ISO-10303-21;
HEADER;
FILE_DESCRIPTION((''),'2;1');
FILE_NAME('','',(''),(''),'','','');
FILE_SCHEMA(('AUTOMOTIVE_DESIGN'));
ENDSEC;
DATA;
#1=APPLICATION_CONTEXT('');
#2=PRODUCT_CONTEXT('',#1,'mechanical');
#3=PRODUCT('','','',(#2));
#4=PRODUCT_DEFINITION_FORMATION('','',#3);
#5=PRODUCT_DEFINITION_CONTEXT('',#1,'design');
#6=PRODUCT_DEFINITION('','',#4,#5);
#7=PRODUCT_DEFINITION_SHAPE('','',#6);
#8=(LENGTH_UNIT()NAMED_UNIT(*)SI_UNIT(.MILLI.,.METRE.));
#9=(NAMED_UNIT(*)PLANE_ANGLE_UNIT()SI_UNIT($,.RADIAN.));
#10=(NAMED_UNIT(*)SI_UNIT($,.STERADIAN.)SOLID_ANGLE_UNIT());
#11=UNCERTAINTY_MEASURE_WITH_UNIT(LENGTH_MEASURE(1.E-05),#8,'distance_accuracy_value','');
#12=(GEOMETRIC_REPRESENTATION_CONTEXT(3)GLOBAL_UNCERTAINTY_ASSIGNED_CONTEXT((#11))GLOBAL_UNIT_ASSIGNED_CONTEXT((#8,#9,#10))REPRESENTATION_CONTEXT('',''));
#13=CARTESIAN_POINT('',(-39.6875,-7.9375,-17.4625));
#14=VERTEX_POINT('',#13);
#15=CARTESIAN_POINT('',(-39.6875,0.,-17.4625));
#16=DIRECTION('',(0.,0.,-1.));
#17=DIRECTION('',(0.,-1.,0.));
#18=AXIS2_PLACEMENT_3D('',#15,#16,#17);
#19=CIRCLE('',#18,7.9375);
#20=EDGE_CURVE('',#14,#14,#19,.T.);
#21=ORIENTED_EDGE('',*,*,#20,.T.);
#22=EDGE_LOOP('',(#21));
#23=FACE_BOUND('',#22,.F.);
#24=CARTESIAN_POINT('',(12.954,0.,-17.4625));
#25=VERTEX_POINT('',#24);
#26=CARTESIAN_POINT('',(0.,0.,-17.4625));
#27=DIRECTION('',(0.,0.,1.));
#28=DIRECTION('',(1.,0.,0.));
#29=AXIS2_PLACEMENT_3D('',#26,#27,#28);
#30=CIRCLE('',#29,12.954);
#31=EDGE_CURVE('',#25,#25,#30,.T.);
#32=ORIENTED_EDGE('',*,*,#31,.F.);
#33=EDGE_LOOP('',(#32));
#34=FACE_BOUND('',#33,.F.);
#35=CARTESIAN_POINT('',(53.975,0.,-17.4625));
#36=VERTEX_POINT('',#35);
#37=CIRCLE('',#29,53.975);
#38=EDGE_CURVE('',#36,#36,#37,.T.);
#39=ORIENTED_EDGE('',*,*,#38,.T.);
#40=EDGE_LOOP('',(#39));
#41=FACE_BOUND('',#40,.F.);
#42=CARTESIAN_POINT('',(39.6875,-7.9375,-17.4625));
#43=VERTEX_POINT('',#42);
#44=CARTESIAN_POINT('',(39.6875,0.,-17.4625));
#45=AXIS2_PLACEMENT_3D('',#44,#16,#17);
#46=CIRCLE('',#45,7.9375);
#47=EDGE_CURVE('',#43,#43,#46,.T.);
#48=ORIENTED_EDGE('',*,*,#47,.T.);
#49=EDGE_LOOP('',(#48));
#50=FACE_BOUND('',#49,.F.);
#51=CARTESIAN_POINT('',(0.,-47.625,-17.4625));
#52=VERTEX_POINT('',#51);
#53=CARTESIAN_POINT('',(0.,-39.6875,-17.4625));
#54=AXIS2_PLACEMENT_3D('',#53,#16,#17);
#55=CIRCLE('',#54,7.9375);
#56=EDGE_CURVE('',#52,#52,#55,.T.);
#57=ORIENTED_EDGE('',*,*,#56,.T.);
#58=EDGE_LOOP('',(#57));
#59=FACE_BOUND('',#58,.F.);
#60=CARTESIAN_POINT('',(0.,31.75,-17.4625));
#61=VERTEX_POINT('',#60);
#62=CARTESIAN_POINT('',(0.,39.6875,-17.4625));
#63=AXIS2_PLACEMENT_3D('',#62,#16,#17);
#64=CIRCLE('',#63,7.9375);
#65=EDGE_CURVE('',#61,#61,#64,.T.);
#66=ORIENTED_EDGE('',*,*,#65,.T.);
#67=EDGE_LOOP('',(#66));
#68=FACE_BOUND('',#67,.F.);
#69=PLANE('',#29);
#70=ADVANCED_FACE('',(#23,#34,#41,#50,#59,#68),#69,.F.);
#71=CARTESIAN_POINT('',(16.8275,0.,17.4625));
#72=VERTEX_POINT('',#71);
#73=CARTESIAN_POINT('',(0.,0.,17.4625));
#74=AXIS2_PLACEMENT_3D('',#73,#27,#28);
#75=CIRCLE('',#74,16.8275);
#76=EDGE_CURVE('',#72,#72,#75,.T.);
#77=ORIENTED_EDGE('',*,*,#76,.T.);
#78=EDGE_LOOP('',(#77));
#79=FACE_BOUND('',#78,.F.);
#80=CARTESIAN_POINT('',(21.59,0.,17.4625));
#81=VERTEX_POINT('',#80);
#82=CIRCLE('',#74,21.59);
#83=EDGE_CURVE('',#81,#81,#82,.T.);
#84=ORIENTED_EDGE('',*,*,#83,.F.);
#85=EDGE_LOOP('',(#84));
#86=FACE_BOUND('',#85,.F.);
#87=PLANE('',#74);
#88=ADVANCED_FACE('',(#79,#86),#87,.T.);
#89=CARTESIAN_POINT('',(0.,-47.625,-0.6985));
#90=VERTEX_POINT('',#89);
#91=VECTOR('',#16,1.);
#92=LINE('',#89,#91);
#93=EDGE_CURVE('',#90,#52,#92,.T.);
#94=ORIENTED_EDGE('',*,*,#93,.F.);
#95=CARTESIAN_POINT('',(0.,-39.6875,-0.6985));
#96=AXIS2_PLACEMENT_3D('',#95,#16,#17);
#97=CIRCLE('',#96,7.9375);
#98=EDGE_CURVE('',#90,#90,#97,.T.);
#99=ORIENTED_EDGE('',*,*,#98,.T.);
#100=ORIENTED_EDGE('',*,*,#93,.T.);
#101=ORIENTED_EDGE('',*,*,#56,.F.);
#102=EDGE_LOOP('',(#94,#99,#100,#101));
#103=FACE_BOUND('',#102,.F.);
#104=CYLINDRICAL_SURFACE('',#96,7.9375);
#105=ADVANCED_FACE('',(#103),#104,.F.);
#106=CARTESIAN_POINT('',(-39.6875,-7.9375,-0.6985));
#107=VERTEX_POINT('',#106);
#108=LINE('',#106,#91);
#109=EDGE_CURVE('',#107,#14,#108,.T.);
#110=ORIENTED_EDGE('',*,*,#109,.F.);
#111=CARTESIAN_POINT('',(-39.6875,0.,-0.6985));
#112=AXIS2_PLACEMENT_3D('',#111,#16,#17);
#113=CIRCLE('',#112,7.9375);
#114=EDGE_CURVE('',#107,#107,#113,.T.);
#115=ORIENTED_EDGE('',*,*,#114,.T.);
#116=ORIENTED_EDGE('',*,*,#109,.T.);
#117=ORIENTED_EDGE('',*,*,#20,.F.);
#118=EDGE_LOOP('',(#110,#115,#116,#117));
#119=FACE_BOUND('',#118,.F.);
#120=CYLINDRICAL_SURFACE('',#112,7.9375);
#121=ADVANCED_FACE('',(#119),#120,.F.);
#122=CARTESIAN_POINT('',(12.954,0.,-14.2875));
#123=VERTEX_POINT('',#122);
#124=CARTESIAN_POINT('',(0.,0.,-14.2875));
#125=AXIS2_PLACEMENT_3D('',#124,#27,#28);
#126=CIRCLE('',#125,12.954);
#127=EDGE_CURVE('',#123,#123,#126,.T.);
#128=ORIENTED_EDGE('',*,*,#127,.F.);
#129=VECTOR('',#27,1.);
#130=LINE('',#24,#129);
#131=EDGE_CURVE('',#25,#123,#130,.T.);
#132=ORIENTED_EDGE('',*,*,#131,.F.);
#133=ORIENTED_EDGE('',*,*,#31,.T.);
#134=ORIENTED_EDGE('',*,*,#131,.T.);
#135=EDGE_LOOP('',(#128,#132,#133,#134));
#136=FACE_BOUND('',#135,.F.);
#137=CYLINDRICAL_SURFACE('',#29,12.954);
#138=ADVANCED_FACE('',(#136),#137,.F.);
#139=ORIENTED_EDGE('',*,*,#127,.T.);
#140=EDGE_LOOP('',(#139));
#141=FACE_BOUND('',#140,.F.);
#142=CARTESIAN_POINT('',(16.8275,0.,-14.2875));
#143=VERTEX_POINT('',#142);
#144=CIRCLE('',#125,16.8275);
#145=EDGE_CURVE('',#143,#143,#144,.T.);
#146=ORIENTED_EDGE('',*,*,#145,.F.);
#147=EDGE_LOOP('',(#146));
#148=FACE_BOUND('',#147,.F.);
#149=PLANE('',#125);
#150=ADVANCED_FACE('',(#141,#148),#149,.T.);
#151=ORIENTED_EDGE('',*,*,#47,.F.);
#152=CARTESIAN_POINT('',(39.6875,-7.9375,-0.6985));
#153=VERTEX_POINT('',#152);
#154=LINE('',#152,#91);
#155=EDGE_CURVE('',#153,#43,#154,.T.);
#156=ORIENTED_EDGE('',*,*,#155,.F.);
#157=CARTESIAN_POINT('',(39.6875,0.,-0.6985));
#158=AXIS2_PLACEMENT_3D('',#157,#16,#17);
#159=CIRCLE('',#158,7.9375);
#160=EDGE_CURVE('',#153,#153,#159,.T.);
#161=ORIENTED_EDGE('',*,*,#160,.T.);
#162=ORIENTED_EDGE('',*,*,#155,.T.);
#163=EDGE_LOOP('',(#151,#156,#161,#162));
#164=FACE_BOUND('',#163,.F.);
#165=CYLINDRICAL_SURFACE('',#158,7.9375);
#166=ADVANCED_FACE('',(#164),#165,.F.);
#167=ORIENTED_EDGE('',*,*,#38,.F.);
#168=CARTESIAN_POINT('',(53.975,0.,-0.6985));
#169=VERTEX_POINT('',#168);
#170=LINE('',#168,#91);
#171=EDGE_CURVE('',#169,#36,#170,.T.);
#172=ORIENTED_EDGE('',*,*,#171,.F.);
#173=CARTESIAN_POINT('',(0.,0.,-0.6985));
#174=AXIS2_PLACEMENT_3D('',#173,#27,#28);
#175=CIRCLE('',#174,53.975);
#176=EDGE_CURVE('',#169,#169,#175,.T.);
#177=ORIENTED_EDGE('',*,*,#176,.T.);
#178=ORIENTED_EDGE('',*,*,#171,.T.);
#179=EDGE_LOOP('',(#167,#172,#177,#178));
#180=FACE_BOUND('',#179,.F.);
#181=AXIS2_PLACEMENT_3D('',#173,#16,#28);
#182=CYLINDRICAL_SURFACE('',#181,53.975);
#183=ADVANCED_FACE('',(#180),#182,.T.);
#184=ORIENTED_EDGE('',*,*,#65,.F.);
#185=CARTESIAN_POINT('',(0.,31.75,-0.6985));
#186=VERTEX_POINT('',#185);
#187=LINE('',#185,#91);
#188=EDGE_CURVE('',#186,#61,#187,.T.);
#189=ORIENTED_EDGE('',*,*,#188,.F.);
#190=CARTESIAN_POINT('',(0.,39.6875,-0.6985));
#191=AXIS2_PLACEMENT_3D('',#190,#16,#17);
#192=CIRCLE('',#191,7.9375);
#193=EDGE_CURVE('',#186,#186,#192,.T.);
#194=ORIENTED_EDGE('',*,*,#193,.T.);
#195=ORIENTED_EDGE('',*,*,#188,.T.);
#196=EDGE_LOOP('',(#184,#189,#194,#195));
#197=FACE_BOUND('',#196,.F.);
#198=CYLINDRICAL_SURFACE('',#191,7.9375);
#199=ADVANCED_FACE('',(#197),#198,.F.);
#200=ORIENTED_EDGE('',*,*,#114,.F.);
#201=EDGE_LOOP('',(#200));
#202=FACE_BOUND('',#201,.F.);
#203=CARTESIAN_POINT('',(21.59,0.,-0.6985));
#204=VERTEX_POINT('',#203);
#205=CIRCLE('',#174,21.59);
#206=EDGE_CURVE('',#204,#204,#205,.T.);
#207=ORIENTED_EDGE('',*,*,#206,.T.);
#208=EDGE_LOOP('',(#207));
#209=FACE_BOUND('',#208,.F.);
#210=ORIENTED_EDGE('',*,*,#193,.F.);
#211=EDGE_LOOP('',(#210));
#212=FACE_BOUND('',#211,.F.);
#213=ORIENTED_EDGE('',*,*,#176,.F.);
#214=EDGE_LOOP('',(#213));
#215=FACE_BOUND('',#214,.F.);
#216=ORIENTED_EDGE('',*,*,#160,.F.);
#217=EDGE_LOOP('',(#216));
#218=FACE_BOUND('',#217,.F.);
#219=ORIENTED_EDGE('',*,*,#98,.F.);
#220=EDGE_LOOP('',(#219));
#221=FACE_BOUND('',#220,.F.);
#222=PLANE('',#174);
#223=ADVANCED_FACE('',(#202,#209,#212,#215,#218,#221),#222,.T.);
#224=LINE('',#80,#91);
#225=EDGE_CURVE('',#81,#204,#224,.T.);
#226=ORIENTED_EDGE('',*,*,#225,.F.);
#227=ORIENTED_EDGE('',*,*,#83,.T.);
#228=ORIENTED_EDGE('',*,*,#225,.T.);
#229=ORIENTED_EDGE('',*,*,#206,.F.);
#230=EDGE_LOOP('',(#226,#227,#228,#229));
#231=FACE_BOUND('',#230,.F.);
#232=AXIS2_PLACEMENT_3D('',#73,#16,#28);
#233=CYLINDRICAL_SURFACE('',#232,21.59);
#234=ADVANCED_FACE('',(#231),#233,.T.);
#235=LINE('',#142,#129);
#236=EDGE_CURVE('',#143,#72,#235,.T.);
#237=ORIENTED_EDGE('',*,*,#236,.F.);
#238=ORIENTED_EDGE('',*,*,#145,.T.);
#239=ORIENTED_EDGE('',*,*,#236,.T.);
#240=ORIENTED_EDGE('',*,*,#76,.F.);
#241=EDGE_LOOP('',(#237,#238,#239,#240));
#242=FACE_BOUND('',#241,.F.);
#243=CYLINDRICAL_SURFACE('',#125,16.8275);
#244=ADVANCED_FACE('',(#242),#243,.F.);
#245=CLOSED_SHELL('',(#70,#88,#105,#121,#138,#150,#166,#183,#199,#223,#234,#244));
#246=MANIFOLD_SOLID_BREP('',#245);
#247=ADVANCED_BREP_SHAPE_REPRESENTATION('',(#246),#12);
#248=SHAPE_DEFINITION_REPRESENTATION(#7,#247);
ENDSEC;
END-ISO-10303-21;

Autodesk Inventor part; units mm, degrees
ref_plane "YZ Plane" through (0, 0, 0) normal (1, 0, 0) x (0, 1, 0)
ref_plane "XZ Plane" through (0, 0, 0) normal (0, 1, 0) x (-1, 0, 0)
ref_plane "XY Plane" through (0, 0, 0) normal (0, 0, 1) x (1, 0, 0)
sketch "Sketch1" plane through (0, 0, 0) normal (0, 1, 0) x (-1, 0, 0)
  line L0 (-12.954, -17.4625) -> (-12.954, -14.2875)
  line L1 (-12.954, -14.2875) -> (-16.8275, -14.2875)
  line L2 (-16.8275, -14.2875) -> (-16.8275, 17.4625)
  line L3 (-16.8275, 17.4625) -> (-21.59, 17.4625)
  line L4 (-21.59, 17.4625) -> (-21.59, -0.6985)
  line L5 (-21.59, -0.6985) -> (-53.975, -0.6985)
  line L6 (-53.975, -0.6985) -> (-53.975, -17.4625)
  line L7 (-53.975, -17.4625) -> (-12.954, -17.4625)
  line L8 (0, -17.4625) -> (0, 17.4625)
  point P0 (0, 0)
  point P1 (0, 0)
  dimension "d0" = 3.175
  dimension "d1" = 34.925
  dimension "d2" = 33.655
  dimension "d3" = 107.95
  dimension "d4" = 43.18
  dimension "d5" = 25.908
  dimension "d6" = 16.764
revolve "Revolution1" add sketch "Sketch1" angle 360 about axis through (0, 0, -17.4625) along (0, 0, 1)
sketch "Sketch2" plane through (0, 0, -0.6985) normal (0, 0, 1) x (1, 0, 0)
  point P0 (0, 0)
  point P1 (0, -39.6875)
  point P2 (39.6875, 0)
  point P3 (0, 39.6875)
  point P4 (-39.6875, 0)
  dimension "d10" = 360
  dimension "d12" = 79.375
hole "Hole1" at (0, -39.6875, -0.6985) at (39.6875, 0, -0.6985) at (0, 39.6875, -0.6985) at (-39.6875, 0, -0.6985) direction (0, 0, -1) diameter 15.875 end through all
properties part number "Piping_Flange_1in" material "PVC-Piping"
